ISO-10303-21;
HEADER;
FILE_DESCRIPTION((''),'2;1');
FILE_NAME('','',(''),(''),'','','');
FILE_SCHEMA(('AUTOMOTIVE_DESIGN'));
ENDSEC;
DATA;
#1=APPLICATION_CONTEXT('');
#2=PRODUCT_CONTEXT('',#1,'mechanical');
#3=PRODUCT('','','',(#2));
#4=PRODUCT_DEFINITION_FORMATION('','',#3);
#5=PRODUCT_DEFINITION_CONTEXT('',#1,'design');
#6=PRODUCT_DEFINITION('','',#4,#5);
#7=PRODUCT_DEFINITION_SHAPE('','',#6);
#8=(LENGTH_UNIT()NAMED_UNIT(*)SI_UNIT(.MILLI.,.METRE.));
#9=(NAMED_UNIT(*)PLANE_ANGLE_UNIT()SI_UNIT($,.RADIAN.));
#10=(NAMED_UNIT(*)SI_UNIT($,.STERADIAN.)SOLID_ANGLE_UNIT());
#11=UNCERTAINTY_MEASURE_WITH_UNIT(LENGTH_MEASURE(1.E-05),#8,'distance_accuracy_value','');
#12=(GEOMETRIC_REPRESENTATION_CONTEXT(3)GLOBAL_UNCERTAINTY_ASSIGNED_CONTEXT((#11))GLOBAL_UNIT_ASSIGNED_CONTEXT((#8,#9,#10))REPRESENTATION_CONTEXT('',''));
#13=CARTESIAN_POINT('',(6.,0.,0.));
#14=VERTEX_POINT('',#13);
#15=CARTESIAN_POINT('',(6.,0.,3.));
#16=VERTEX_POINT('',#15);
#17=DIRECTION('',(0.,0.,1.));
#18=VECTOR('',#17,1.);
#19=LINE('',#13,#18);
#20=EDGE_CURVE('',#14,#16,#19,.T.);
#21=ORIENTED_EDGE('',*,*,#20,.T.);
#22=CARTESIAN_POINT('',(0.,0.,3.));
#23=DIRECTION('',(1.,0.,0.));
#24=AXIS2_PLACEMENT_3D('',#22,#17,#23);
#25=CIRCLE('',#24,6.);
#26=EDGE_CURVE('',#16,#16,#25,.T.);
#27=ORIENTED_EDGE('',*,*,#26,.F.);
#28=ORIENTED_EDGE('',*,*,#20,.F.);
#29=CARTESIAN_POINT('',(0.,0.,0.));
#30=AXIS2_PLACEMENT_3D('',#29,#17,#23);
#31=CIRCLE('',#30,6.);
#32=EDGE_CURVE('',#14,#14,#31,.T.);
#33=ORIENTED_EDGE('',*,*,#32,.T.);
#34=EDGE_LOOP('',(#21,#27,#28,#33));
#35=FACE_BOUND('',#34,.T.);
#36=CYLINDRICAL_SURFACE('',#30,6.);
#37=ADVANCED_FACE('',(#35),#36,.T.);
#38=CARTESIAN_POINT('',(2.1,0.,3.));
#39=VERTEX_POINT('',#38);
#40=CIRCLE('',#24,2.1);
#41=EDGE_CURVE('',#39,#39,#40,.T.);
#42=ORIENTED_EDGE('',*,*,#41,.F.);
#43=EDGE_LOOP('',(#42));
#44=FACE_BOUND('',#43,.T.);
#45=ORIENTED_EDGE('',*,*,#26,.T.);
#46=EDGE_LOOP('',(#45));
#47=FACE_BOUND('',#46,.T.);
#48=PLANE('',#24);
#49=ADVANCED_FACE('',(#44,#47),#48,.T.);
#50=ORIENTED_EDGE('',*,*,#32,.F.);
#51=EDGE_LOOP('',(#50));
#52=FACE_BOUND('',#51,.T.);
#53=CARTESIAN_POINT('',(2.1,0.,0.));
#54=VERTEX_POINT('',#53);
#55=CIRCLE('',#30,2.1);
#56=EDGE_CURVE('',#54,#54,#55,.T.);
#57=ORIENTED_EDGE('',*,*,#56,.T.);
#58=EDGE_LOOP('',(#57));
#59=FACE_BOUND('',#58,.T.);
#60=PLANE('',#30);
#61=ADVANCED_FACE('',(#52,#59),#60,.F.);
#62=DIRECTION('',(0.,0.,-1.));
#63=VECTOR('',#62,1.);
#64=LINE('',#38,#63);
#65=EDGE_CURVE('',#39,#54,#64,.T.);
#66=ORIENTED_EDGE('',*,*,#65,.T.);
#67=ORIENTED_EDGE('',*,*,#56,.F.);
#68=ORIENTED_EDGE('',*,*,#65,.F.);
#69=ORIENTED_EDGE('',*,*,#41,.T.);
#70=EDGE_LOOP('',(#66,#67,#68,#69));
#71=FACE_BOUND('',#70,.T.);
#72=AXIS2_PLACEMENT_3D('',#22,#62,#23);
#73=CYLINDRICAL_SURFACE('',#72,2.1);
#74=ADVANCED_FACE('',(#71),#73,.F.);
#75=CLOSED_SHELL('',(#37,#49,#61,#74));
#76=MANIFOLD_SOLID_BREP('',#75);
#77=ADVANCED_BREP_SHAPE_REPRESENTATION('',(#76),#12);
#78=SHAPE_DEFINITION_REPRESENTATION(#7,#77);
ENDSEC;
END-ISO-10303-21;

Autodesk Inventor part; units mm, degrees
ref_plane "YZ Plane" through (0, 0, 0) normal (1, 0, 0) x (0, 1, 0)
ref_plane "XZ Plane" through (0, 0, 0) normal (0, 1, 0) x (-1, 0, 0)
ref_plane "XY Plane" through (0, 0, 0) normal (0, 0, 1) x (1, 0, 0)
sketch "Sketch1" plane through (0, 0, 0) normal (0, 1, 0) x (-1, 0, 0)
  line L0 (0, 0) -> (0, 3)
  line L1 (-2.1, 3) -> (-2.1, 0)
  line L2 (-2.1, 0) -> (-6, 0)
  line L3 (-6, 0) -> (-6, 3)
  line L4 (-6, 3) -> (-2.1, 3)
  dimension "InsideDiameter" = 4.2
  dimension "OuterDiameter" = 12
  dimension "Thickness" = 3
revolve "Revolution1" add sketch "Sketch1" angle 360 about axis through (0, 0, 0) along (0, 0, 1)
properties part number "UUW-0412-30H" material "Stainless Steel AISI 304"
